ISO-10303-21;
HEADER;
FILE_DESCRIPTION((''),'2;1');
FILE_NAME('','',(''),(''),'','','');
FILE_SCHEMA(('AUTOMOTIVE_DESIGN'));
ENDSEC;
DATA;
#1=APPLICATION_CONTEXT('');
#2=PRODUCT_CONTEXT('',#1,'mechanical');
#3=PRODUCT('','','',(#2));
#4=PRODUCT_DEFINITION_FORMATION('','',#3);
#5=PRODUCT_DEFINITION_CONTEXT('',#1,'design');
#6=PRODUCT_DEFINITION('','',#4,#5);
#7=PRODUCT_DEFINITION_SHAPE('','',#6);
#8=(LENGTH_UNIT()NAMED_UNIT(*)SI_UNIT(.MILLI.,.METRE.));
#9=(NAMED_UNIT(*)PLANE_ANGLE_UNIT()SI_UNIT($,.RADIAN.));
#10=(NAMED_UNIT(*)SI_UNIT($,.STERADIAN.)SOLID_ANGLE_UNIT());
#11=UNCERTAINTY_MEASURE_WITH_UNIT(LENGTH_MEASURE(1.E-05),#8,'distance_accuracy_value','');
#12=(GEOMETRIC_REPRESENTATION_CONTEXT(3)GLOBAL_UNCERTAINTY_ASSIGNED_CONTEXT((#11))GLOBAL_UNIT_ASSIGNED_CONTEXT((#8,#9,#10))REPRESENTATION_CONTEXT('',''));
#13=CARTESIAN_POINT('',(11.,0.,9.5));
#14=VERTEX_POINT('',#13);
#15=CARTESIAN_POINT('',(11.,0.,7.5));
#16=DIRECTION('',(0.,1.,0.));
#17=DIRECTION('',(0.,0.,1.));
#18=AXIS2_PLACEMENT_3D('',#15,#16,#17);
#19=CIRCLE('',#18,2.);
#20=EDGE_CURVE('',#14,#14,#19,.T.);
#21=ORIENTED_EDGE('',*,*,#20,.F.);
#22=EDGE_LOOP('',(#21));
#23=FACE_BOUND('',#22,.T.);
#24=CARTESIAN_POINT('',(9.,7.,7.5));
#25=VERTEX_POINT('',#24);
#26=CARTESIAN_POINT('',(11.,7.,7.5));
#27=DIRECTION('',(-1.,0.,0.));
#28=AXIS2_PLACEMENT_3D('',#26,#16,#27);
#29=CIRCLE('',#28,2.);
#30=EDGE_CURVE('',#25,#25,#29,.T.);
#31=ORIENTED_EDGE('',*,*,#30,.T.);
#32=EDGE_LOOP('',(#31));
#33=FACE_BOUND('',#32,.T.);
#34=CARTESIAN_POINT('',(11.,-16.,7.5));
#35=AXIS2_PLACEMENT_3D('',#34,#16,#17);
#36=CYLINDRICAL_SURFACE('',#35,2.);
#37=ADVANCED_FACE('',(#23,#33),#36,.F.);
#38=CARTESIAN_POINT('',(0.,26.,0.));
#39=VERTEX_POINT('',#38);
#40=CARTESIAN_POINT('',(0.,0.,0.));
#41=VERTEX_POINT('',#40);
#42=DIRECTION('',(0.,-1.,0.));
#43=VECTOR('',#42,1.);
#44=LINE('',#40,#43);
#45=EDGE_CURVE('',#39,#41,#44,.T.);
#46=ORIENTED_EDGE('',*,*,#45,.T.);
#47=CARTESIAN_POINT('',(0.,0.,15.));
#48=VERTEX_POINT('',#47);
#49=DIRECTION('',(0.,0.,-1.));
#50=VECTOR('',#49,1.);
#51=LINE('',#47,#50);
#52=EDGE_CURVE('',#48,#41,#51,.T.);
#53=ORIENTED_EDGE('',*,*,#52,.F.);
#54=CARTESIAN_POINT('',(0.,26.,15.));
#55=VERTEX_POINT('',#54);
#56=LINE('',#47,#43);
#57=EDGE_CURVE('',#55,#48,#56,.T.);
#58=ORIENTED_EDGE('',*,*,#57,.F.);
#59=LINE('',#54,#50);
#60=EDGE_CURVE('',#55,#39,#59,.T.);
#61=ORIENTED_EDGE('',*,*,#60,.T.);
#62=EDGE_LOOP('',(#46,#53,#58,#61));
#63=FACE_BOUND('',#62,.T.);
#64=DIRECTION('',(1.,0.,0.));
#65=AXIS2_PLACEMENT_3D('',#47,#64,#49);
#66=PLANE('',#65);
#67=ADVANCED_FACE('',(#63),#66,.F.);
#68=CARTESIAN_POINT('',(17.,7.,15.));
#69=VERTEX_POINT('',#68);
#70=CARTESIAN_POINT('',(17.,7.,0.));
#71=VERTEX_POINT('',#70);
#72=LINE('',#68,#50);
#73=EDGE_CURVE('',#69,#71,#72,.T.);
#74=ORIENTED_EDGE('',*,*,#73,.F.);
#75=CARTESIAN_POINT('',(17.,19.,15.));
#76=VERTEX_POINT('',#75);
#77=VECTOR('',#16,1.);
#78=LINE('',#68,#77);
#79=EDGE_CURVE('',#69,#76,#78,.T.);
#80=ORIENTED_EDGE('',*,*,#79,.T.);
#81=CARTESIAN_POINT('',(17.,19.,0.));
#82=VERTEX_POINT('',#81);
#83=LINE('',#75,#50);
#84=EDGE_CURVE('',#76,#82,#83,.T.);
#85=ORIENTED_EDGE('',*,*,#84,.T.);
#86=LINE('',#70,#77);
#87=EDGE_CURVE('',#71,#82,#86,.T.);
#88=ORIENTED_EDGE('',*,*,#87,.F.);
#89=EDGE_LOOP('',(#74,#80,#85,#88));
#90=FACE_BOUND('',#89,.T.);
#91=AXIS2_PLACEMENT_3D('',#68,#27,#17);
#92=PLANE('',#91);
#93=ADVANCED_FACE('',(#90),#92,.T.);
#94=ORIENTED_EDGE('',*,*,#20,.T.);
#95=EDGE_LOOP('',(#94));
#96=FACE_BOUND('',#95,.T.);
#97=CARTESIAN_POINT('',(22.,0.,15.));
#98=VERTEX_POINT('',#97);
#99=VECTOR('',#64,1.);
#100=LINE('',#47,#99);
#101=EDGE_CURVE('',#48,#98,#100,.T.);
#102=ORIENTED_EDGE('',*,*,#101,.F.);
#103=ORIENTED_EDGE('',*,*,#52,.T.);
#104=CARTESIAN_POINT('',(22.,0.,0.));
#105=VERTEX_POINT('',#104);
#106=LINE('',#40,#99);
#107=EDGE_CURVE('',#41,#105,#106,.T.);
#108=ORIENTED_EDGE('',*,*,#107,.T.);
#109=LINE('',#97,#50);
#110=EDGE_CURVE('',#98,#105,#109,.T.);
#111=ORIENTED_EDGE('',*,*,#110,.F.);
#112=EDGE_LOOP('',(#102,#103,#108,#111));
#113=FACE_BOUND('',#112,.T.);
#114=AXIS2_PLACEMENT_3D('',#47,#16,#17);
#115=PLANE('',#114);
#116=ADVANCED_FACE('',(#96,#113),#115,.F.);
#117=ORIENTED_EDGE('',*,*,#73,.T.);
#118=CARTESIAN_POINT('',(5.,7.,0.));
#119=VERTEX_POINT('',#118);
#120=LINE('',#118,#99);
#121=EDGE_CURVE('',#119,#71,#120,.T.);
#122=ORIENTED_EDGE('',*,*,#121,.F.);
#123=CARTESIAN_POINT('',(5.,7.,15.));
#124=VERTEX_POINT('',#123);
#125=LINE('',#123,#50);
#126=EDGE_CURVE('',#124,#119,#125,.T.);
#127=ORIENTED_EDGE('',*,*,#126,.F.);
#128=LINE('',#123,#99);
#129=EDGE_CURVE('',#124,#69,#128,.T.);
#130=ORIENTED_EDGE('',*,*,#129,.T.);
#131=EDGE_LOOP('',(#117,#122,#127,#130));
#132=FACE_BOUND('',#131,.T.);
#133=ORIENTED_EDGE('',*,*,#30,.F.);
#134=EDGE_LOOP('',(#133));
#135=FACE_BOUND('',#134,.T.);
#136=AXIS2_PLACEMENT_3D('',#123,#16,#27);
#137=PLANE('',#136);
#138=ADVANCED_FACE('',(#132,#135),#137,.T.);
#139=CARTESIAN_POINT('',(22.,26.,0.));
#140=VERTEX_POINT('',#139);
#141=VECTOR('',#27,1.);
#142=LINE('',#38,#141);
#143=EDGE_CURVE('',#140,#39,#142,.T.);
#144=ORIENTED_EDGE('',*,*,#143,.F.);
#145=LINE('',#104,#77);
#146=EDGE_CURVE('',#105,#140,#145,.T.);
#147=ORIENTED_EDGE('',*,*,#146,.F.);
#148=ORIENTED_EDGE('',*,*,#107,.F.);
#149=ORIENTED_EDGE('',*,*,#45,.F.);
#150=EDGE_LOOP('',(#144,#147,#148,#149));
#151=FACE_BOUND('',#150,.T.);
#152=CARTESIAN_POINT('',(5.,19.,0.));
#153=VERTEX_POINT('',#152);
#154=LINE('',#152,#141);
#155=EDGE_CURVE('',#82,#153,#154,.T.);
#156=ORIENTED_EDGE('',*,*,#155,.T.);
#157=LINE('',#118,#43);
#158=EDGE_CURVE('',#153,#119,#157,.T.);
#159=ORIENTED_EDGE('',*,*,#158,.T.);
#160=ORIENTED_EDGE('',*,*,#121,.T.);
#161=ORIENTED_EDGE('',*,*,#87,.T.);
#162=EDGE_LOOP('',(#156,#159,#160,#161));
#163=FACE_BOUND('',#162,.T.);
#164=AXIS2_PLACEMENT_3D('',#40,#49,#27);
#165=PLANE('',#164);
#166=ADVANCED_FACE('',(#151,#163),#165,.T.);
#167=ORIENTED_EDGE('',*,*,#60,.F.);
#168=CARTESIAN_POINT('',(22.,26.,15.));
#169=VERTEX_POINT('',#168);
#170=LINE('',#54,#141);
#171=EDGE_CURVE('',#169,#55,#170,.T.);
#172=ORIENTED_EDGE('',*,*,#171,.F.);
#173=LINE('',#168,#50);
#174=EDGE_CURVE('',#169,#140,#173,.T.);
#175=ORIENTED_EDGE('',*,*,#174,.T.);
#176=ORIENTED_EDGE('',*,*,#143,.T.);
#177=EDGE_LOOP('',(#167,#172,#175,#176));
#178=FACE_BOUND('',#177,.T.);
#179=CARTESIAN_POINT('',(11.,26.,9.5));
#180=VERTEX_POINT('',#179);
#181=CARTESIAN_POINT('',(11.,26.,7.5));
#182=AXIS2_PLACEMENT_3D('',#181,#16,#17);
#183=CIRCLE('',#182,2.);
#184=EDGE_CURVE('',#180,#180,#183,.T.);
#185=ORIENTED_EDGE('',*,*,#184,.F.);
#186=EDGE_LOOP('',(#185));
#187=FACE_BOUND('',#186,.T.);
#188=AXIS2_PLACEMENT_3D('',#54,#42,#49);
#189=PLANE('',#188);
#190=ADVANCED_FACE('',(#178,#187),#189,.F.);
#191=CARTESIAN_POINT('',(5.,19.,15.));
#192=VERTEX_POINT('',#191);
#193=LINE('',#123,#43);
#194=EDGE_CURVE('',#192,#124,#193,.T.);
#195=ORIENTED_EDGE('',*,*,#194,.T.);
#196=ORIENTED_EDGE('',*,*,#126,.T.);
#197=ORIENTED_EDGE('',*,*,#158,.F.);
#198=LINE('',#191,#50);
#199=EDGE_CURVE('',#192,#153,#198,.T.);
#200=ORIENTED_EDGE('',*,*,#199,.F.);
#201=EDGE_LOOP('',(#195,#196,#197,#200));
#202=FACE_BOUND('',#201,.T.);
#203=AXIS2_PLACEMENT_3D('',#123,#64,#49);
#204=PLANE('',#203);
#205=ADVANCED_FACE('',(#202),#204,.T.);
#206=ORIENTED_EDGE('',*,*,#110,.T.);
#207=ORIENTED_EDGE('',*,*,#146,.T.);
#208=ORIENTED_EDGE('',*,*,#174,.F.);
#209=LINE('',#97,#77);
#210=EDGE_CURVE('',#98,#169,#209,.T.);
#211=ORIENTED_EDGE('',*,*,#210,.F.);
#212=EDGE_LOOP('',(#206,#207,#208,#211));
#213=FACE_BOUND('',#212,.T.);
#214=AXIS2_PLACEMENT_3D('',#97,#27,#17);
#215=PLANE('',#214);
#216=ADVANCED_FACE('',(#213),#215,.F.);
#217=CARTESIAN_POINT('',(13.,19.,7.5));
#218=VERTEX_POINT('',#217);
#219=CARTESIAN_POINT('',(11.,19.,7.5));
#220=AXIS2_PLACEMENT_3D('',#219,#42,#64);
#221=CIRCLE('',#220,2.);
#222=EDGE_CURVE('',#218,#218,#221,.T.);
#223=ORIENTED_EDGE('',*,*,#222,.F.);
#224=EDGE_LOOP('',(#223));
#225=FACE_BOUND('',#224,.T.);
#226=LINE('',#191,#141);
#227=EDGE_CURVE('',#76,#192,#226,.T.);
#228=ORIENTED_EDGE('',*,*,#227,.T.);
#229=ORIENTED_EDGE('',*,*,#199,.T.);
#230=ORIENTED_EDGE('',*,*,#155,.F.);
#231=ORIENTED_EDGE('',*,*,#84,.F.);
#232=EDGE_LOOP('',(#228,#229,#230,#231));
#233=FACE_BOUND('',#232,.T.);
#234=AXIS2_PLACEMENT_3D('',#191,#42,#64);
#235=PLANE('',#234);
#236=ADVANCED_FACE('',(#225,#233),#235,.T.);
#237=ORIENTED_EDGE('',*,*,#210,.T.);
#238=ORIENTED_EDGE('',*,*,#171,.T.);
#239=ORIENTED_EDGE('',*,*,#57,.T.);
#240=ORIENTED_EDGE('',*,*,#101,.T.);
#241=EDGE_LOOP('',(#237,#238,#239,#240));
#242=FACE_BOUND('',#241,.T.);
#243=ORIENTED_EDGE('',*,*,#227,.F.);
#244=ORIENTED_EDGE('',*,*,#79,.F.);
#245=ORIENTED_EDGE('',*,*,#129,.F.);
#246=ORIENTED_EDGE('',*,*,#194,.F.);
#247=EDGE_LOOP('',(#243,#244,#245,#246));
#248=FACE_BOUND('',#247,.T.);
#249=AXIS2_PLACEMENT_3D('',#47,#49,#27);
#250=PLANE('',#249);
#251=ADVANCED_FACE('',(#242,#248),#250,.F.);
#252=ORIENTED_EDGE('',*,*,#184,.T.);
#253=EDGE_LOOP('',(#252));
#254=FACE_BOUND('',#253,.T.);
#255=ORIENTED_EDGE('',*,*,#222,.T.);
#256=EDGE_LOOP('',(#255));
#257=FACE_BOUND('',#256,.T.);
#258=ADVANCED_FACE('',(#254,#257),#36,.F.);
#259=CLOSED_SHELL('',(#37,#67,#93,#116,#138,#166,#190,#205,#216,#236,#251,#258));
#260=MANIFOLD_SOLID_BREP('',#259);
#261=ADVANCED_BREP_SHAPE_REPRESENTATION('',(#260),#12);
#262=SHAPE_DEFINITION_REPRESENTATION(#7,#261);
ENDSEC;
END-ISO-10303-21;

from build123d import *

# Parameters (mm, degrees)
SKETCH1_W           = 22
SKETCH1_H           = 26
SKETCH1_W_2         = 12
SKETCH1_H_2         = 12
BOSS_EXTRUDE1_DEPTH = 15
SKETCH2_R           = 2
CUT_EXTRUDE1_DEPTH  = 42


with BuildPart() as part:
    # Sketch1 → Boss-Extrude1 (new body)
    with BuildSketch(Plane.XY):
        with Locations((11, 13)):
            Rectangle(SKETCH1_W, SKETCH1_H)
        with Locations((11, 13)):
            Rectangle(SKETCH1_W_2, SKETCH1_H_2, mode=Mode.SUBTRACT)
    extrude(amount=BOSS_EXTRUDE1_DEPTH)

    # Sketch2 → Cut-Extrude1 (cut)
    with BuildSketch(Plane(origin=(0, 26, 0), x_dir=(1, 0, 0), z_dir=(0, 1, 0))):
        with Locations(Location((11, -7.5, 0), (0, 0, 270))):
            Circle(SKETCH2_R)
    extrude(amount=-CUT_EXTRUDE1_DEPTH, mode=Mode.SUBTRACT)


solid = part.part
